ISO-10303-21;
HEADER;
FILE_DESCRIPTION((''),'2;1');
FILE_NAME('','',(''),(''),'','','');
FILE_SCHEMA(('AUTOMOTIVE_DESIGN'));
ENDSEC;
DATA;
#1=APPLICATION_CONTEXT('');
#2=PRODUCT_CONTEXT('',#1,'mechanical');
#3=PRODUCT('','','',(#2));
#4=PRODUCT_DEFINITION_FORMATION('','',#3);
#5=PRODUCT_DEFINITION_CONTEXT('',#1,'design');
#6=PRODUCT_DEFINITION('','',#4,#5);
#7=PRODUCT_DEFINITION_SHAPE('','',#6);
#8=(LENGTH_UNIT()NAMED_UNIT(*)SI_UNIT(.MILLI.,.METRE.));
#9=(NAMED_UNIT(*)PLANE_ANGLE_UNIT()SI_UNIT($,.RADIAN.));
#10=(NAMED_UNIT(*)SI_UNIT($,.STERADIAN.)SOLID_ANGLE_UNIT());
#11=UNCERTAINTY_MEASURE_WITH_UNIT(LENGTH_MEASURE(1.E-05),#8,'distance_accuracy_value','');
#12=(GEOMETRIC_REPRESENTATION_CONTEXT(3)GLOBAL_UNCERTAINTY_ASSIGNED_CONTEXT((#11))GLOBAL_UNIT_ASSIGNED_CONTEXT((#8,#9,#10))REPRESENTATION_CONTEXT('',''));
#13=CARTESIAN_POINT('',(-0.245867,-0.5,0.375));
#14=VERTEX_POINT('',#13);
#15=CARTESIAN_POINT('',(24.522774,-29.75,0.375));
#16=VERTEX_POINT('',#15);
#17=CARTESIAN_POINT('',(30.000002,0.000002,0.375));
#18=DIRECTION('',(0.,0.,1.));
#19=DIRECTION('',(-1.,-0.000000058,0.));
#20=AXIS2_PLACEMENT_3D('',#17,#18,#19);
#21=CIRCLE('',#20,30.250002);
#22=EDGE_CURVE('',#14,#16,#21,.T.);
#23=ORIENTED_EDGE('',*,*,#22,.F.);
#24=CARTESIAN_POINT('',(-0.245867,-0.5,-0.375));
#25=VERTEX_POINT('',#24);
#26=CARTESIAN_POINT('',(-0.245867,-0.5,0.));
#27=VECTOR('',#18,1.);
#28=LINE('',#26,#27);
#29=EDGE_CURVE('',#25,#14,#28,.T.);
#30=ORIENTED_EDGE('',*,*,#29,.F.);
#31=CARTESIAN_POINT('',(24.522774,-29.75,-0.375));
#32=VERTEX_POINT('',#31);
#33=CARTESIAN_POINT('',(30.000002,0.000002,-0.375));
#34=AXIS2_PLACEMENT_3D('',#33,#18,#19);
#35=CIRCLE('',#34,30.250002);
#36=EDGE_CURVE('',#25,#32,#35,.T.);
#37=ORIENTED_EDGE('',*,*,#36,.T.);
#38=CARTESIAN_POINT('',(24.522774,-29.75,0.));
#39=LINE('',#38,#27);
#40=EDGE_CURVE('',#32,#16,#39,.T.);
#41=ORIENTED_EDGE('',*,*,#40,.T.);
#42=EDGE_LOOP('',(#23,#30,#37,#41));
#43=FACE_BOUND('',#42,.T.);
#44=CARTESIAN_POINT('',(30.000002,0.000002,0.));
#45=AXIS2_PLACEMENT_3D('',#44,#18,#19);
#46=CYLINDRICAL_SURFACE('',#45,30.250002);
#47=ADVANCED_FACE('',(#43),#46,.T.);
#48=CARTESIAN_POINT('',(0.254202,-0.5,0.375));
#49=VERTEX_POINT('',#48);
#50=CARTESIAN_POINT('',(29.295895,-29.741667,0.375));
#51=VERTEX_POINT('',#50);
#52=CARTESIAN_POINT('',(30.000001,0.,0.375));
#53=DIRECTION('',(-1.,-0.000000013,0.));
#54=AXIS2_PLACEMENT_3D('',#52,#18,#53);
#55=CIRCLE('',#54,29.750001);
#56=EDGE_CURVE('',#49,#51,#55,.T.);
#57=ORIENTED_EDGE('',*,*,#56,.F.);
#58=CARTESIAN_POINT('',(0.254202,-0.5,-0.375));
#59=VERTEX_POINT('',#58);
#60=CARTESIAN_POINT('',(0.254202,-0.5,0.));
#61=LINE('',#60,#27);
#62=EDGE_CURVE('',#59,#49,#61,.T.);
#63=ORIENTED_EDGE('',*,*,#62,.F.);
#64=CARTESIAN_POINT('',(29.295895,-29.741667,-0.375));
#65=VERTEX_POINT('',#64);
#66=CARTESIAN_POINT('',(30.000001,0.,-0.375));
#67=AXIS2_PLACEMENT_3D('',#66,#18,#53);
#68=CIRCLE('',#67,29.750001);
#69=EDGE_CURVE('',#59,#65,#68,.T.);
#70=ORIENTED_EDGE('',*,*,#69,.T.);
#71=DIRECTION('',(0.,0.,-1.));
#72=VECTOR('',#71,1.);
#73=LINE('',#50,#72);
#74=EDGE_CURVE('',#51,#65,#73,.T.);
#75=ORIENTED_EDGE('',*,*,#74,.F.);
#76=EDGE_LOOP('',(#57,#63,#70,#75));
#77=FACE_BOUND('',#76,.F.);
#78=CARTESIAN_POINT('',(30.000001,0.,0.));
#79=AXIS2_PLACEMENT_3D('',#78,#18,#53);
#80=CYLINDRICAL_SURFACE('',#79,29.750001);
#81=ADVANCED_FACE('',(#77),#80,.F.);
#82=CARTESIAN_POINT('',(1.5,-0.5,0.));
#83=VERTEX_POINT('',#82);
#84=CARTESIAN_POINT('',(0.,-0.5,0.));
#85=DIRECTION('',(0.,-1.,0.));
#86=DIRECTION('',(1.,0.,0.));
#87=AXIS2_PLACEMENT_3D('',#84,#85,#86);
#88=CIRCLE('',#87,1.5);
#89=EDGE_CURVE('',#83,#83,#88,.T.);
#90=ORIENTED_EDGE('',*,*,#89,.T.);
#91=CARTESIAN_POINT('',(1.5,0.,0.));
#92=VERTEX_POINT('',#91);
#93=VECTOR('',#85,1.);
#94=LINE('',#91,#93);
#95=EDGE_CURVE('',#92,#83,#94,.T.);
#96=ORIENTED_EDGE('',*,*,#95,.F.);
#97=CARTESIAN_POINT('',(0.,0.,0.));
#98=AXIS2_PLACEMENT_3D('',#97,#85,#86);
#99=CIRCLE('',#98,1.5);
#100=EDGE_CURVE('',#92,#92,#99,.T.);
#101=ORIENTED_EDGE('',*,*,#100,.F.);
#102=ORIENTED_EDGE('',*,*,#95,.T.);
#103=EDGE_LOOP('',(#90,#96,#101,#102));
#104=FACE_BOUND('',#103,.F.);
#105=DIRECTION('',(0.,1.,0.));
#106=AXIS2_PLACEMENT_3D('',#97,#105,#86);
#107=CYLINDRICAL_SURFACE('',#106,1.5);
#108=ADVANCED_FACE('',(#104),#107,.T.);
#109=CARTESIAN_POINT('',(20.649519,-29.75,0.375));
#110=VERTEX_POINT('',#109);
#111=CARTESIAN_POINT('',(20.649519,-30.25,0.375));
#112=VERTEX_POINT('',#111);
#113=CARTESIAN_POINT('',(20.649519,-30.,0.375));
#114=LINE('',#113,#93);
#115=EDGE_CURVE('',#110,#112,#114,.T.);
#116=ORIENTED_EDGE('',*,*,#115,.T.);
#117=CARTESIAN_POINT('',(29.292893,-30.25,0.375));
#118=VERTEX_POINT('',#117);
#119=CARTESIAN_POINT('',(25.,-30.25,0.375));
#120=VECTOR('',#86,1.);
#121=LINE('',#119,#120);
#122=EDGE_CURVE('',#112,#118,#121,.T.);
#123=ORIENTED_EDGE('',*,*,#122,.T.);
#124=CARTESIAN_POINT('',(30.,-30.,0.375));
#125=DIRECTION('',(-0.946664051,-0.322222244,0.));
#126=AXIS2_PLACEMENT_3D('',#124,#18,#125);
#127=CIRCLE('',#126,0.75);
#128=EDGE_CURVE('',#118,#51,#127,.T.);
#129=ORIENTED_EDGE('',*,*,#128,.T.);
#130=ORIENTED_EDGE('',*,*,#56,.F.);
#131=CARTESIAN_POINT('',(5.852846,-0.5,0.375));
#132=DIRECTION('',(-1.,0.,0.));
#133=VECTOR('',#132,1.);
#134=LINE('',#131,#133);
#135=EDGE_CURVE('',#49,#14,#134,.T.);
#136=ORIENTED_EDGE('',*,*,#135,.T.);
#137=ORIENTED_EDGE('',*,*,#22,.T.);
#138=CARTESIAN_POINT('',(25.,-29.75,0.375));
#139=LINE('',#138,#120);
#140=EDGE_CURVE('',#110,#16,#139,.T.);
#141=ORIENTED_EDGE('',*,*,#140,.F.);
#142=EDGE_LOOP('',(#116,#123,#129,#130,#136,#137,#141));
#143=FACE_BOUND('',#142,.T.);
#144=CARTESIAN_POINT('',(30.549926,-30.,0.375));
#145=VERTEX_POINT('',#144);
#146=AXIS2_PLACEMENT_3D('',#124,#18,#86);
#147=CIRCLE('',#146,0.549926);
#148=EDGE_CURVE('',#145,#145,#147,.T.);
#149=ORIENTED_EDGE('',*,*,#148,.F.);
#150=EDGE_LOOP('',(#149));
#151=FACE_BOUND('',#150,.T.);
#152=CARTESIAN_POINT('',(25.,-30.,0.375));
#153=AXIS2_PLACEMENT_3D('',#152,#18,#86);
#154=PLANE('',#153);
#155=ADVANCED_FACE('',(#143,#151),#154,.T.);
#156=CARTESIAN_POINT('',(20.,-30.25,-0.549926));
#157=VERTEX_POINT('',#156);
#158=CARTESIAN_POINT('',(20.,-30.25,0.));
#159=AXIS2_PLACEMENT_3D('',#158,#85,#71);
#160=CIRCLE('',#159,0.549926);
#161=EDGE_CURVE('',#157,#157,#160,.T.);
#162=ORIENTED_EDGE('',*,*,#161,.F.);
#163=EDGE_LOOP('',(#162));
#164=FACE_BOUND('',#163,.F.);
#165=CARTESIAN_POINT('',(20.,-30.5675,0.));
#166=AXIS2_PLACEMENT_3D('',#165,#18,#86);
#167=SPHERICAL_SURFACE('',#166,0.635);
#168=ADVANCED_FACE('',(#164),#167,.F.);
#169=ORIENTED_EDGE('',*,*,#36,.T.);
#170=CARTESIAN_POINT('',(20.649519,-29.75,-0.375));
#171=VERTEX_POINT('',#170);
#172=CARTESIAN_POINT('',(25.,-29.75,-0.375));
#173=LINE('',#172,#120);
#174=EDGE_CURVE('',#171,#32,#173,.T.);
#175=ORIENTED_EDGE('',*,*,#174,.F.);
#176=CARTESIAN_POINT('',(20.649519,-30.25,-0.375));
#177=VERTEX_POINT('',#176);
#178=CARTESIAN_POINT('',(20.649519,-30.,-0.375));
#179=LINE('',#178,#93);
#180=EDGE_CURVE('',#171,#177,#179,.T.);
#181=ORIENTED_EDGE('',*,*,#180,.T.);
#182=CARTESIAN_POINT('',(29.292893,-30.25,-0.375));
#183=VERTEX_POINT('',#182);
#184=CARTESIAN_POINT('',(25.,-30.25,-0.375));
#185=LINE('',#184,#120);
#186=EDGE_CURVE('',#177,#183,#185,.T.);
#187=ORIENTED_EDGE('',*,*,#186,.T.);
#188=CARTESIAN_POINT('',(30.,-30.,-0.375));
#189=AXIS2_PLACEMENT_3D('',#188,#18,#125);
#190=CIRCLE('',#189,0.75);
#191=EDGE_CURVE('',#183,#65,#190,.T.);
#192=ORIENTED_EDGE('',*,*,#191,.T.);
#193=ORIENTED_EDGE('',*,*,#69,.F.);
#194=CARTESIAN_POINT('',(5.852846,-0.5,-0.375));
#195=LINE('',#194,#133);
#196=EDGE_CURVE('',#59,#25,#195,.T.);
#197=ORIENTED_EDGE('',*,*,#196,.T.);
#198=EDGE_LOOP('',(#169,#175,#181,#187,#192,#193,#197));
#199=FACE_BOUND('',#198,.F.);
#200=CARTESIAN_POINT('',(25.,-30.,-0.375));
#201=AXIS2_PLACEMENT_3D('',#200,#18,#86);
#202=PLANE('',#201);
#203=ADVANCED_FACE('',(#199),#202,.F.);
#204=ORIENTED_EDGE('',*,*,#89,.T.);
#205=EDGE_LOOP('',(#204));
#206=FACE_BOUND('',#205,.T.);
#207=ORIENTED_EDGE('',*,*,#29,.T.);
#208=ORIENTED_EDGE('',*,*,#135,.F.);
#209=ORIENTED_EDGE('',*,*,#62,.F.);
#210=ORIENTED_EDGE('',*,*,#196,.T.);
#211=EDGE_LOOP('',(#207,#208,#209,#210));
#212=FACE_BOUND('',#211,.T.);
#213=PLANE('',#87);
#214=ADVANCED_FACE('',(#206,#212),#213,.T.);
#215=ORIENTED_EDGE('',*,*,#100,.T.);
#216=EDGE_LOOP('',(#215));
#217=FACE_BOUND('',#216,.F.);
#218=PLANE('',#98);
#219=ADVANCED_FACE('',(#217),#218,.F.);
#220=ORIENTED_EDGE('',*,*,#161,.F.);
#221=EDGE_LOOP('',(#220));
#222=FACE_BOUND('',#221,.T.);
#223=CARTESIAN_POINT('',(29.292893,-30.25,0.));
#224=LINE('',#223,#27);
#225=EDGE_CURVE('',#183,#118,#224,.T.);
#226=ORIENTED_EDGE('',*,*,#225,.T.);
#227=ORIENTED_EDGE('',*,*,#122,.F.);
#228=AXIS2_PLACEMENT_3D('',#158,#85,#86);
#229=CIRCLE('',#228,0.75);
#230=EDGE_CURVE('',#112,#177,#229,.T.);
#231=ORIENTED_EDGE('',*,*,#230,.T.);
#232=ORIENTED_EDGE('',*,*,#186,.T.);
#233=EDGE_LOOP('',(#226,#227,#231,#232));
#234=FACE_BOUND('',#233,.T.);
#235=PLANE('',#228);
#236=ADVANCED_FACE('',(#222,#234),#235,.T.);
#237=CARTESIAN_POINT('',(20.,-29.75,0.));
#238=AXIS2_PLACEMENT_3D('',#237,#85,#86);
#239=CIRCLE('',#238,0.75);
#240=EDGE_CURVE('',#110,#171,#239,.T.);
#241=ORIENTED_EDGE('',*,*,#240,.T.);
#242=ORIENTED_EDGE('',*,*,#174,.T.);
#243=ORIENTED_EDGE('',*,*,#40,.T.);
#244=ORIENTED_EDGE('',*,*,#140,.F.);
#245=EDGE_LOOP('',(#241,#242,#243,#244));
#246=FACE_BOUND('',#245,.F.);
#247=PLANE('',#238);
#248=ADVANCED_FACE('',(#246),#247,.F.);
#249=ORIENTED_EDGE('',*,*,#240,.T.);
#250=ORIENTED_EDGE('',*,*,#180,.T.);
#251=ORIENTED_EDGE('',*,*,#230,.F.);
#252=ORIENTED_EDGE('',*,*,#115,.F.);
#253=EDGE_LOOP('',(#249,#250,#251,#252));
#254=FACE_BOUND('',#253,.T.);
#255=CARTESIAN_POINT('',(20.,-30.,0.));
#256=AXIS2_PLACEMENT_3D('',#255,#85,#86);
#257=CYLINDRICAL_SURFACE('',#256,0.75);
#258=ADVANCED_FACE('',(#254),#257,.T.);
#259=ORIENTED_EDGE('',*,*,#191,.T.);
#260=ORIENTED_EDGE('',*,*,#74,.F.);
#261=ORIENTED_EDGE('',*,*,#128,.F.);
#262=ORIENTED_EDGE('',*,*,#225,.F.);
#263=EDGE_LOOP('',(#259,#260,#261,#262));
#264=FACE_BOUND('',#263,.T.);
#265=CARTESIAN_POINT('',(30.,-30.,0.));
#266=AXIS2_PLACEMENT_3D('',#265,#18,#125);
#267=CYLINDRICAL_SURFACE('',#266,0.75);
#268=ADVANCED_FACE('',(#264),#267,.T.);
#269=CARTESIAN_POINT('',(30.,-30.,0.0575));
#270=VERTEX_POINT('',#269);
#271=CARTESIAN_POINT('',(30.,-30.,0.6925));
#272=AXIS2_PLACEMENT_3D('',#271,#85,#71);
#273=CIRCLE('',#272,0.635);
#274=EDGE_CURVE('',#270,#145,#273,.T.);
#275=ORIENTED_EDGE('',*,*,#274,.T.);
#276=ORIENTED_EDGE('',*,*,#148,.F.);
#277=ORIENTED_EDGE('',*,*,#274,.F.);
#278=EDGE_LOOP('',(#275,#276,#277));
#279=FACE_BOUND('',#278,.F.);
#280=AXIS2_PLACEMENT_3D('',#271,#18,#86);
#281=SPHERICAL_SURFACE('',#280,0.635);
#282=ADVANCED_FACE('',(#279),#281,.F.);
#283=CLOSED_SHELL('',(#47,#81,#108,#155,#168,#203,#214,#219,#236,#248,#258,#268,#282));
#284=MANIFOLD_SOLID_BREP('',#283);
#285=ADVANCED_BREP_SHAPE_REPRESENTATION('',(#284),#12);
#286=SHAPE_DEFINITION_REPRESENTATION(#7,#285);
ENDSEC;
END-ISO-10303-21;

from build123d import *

# Parameters (mm, degrees)
PAD_DEPTH    = 0.375
SKETCH002_R  = 1.5
PAD001_DEPTH = 0.5
SKETCH003_W  = 10
SKETCH003_H  = 0.5
PAD002_DEPTH = 0.375
SKETCH004_R  = 0.75
PAD003_DEPTH = 0.25


with BuildPart() as part:
    # Sketch → Pad (new body, symmetric)
    with BuildSketch(Plane.XY):
        with BuildLine():
            Line((-0.25, 0), (0, 0))
            Line((0, 0), (0.25, 0))
            ThreePointArc((0.25, 0), (8.71609, -20.785997), (29.295895, -29.741667))
            ThreePointArc((29.290002, -30.241667), (30.749948, -30.008839), (29.295895, -29.741667))
            ThreePointArc((-0.25, 0), (8.360454, -21.137467), (29.290002, -30.241667))
        make_face()
    extrude(amount=PAD_DEPTH, both=True)

    # Sketch002 → Pad001 (join)
    with BuildSketch(Plane.XZ):
        Circle(SKETCH002_R)
    extrude(amount=PAD001_DEPTH)

    # Sketch003 → Pad002 (join, symmetric)
    with BuildSketch(Plane.XY):
        with Locations((25, -30)):
            Rectangle(SKETCH003_W, SKETCH003_H)
    extrude(amount=PAD002_DEPTH, both=True)

    # Sphere → Sphere (revolve, cut)
    with BuildSketch(Plane(origin=(30, -30, 0.6925), x_dir=(1, 0, 0), z_dir=(0, -1, 0))):
        with BuildLine():
            ThreePointArc((0, -0.635), (0.635, 0), (0, 0.635))
            Line((0, 0.635), (0, -0.635))
        make_face()
    revolve(axis=Axis((30, -30, 0.6925), (0, 0, 1)), mode=Mode.SUBTRACT)

    # Sketch004 (on DatumPlane) → Pad003 (join, symmetric)
    with BuildSketch(Plane(origin=(20, -30, 0), x_dir=(1, 0, 0), z_dir=(0, -1, 0))):
        Circle(SKETCH004_R)
    extrude(amount=PAD003_DEPTH, both=True)

    # Sphere001 → Sphere001 (revolve, cut)
    with BuildSketch(Plane(origin=(20, -30.5675, 0), x_dir=(1, 0, 0), z_dir=(0, -1, 0))):
        with BuildLine():
            ThreePointArc((0, -0.635), (0.635, 0), (0, 0.635))
            Line((0, 0.635), (0, -0.635))
        make_face()
    revolve(axis=Axis((20, -30.5675, 0), (0, 0, 1)), mode=Mode.SUBTRACT)


solid = part.part
